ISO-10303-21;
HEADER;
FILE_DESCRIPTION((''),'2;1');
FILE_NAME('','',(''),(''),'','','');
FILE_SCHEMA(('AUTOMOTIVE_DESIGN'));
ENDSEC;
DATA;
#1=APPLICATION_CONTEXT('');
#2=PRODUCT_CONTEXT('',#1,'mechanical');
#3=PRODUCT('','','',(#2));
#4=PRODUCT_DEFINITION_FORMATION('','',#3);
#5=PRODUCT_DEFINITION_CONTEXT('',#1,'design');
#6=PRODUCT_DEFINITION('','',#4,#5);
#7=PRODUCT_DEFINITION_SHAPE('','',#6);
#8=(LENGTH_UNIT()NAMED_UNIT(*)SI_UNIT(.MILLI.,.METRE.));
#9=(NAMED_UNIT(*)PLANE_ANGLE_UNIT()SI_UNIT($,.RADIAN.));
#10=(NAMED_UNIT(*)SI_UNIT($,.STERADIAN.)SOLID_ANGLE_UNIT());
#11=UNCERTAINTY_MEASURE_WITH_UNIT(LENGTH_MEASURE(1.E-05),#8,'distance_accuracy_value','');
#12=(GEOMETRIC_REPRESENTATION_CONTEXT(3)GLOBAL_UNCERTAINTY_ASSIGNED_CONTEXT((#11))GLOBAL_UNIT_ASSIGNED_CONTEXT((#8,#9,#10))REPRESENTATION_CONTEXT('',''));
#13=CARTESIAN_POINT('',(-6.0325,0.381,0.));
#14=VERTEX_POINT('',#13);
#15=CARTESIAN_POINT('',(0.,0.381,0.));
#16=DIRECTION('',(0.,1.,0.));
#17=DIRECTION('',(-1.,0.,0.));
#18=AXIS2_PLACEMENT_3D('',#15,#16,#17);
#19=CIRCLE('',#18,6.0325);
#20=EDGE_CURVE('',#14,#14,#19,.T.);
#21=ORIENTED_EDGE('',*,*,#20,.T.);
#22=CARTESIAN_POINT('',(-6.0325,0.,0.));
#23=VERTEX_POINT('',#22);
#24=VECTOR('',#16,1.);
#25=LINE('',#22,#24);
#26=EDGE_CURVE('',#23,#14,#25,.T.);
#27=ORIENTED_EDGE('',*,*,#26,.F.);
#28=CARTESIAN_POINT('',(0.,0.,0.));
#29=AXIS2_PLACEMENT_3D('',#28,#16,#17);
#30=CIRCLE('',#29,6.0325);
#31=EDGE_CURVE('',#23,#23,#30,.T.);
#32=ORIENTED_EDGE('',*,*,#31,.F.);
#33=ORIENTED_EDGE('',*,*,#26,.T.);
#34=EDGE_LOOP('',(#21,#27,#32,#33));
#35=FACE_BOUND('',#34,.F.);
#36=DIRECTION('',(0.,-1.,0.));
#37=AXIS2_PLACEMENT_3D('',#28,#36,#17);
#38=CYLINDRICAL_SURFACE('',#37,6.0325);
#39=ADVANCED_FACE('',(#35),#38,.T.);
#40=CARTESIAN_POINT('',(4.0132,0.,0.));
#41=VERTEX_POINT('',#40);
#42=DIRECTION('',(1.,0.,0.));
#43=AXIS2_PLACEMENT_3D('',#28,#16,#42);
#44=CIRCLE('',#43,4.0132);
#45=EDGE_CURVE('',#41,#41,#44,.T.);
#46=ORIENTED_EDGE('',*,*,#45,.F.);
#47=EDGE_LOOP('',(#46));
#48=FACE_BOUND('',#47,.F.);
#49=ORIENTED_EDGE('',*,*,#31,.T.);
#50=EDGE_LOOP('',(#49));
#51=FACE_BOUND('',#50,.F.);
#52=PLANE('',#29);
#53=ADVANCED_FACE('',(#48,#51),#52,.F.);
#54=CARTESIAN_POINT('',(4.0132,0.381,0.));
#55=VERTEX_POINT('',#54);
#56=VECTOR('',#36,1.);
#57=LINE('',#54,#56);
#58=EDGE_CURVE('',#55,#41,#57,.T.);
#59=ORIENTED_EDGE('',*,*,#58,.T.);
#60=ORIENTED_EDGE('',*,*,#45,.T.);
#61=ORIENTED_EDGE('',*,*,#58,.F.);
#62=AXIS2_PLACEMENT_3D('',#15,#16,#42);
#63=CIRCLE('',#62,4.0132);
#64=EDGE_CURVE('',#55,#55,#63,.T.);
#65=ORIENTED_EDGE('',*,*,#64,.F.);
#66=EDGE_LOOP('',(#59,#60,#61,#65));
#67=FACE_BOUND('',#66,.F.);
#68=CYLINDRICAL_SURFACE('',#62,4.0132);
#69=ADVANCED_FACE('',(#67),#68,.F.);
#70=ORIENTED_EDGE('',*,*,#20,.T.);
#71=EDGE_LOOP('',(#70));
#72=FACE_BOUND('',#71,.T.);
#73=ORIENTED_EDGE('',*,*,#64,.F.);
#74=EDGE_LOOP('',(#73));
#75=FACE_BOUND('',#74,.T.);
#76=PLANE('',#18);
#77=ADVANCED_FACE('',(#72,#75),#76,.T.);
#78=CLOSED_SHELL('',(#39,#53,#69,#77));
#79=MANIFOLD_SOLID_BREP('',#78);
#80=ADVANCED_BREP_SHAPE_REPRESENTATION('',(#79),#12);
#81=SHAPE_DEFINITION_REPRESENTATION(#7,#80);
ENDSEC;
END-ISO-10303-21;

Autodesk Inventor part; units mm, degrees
ref_plane "YZ Plane" through (0, 0, 0) normal (1, 0, 0) x (0, 1, 0)
ref_plane "XZ Plane" through (0, 0, 0) normal (0, 1, 0) x (-1, 0, 0)
ref_plane "XY Plane" through (0, 0, 0) normal (0, 0, 1) x (1, 0, 0)
sketch "Sketch1" plane through (0, 0, 0) normal (0, 1, 0) x (-1, 0, 0)
  circle A0 centre (0, 0) radius 6.0325
  dimension "d0" = 12.065
extrude "Extrusion1" add sketch "Sketch1" along normal blind 0.381
sketch "Sketch2" plane through (0, 0.381, 0) normal (0, 1, 0) x (1, 0, 0)
  circle A0 centre (0, 0) radius 6.0325 projected
  circle A1 centre (0, 0) radius 4.0132
  dimension "d3" = 8.0264
extrude "Extrusion2" cut sketch "Sketch2" against normal through all contours A1
properties part number "washer4"
